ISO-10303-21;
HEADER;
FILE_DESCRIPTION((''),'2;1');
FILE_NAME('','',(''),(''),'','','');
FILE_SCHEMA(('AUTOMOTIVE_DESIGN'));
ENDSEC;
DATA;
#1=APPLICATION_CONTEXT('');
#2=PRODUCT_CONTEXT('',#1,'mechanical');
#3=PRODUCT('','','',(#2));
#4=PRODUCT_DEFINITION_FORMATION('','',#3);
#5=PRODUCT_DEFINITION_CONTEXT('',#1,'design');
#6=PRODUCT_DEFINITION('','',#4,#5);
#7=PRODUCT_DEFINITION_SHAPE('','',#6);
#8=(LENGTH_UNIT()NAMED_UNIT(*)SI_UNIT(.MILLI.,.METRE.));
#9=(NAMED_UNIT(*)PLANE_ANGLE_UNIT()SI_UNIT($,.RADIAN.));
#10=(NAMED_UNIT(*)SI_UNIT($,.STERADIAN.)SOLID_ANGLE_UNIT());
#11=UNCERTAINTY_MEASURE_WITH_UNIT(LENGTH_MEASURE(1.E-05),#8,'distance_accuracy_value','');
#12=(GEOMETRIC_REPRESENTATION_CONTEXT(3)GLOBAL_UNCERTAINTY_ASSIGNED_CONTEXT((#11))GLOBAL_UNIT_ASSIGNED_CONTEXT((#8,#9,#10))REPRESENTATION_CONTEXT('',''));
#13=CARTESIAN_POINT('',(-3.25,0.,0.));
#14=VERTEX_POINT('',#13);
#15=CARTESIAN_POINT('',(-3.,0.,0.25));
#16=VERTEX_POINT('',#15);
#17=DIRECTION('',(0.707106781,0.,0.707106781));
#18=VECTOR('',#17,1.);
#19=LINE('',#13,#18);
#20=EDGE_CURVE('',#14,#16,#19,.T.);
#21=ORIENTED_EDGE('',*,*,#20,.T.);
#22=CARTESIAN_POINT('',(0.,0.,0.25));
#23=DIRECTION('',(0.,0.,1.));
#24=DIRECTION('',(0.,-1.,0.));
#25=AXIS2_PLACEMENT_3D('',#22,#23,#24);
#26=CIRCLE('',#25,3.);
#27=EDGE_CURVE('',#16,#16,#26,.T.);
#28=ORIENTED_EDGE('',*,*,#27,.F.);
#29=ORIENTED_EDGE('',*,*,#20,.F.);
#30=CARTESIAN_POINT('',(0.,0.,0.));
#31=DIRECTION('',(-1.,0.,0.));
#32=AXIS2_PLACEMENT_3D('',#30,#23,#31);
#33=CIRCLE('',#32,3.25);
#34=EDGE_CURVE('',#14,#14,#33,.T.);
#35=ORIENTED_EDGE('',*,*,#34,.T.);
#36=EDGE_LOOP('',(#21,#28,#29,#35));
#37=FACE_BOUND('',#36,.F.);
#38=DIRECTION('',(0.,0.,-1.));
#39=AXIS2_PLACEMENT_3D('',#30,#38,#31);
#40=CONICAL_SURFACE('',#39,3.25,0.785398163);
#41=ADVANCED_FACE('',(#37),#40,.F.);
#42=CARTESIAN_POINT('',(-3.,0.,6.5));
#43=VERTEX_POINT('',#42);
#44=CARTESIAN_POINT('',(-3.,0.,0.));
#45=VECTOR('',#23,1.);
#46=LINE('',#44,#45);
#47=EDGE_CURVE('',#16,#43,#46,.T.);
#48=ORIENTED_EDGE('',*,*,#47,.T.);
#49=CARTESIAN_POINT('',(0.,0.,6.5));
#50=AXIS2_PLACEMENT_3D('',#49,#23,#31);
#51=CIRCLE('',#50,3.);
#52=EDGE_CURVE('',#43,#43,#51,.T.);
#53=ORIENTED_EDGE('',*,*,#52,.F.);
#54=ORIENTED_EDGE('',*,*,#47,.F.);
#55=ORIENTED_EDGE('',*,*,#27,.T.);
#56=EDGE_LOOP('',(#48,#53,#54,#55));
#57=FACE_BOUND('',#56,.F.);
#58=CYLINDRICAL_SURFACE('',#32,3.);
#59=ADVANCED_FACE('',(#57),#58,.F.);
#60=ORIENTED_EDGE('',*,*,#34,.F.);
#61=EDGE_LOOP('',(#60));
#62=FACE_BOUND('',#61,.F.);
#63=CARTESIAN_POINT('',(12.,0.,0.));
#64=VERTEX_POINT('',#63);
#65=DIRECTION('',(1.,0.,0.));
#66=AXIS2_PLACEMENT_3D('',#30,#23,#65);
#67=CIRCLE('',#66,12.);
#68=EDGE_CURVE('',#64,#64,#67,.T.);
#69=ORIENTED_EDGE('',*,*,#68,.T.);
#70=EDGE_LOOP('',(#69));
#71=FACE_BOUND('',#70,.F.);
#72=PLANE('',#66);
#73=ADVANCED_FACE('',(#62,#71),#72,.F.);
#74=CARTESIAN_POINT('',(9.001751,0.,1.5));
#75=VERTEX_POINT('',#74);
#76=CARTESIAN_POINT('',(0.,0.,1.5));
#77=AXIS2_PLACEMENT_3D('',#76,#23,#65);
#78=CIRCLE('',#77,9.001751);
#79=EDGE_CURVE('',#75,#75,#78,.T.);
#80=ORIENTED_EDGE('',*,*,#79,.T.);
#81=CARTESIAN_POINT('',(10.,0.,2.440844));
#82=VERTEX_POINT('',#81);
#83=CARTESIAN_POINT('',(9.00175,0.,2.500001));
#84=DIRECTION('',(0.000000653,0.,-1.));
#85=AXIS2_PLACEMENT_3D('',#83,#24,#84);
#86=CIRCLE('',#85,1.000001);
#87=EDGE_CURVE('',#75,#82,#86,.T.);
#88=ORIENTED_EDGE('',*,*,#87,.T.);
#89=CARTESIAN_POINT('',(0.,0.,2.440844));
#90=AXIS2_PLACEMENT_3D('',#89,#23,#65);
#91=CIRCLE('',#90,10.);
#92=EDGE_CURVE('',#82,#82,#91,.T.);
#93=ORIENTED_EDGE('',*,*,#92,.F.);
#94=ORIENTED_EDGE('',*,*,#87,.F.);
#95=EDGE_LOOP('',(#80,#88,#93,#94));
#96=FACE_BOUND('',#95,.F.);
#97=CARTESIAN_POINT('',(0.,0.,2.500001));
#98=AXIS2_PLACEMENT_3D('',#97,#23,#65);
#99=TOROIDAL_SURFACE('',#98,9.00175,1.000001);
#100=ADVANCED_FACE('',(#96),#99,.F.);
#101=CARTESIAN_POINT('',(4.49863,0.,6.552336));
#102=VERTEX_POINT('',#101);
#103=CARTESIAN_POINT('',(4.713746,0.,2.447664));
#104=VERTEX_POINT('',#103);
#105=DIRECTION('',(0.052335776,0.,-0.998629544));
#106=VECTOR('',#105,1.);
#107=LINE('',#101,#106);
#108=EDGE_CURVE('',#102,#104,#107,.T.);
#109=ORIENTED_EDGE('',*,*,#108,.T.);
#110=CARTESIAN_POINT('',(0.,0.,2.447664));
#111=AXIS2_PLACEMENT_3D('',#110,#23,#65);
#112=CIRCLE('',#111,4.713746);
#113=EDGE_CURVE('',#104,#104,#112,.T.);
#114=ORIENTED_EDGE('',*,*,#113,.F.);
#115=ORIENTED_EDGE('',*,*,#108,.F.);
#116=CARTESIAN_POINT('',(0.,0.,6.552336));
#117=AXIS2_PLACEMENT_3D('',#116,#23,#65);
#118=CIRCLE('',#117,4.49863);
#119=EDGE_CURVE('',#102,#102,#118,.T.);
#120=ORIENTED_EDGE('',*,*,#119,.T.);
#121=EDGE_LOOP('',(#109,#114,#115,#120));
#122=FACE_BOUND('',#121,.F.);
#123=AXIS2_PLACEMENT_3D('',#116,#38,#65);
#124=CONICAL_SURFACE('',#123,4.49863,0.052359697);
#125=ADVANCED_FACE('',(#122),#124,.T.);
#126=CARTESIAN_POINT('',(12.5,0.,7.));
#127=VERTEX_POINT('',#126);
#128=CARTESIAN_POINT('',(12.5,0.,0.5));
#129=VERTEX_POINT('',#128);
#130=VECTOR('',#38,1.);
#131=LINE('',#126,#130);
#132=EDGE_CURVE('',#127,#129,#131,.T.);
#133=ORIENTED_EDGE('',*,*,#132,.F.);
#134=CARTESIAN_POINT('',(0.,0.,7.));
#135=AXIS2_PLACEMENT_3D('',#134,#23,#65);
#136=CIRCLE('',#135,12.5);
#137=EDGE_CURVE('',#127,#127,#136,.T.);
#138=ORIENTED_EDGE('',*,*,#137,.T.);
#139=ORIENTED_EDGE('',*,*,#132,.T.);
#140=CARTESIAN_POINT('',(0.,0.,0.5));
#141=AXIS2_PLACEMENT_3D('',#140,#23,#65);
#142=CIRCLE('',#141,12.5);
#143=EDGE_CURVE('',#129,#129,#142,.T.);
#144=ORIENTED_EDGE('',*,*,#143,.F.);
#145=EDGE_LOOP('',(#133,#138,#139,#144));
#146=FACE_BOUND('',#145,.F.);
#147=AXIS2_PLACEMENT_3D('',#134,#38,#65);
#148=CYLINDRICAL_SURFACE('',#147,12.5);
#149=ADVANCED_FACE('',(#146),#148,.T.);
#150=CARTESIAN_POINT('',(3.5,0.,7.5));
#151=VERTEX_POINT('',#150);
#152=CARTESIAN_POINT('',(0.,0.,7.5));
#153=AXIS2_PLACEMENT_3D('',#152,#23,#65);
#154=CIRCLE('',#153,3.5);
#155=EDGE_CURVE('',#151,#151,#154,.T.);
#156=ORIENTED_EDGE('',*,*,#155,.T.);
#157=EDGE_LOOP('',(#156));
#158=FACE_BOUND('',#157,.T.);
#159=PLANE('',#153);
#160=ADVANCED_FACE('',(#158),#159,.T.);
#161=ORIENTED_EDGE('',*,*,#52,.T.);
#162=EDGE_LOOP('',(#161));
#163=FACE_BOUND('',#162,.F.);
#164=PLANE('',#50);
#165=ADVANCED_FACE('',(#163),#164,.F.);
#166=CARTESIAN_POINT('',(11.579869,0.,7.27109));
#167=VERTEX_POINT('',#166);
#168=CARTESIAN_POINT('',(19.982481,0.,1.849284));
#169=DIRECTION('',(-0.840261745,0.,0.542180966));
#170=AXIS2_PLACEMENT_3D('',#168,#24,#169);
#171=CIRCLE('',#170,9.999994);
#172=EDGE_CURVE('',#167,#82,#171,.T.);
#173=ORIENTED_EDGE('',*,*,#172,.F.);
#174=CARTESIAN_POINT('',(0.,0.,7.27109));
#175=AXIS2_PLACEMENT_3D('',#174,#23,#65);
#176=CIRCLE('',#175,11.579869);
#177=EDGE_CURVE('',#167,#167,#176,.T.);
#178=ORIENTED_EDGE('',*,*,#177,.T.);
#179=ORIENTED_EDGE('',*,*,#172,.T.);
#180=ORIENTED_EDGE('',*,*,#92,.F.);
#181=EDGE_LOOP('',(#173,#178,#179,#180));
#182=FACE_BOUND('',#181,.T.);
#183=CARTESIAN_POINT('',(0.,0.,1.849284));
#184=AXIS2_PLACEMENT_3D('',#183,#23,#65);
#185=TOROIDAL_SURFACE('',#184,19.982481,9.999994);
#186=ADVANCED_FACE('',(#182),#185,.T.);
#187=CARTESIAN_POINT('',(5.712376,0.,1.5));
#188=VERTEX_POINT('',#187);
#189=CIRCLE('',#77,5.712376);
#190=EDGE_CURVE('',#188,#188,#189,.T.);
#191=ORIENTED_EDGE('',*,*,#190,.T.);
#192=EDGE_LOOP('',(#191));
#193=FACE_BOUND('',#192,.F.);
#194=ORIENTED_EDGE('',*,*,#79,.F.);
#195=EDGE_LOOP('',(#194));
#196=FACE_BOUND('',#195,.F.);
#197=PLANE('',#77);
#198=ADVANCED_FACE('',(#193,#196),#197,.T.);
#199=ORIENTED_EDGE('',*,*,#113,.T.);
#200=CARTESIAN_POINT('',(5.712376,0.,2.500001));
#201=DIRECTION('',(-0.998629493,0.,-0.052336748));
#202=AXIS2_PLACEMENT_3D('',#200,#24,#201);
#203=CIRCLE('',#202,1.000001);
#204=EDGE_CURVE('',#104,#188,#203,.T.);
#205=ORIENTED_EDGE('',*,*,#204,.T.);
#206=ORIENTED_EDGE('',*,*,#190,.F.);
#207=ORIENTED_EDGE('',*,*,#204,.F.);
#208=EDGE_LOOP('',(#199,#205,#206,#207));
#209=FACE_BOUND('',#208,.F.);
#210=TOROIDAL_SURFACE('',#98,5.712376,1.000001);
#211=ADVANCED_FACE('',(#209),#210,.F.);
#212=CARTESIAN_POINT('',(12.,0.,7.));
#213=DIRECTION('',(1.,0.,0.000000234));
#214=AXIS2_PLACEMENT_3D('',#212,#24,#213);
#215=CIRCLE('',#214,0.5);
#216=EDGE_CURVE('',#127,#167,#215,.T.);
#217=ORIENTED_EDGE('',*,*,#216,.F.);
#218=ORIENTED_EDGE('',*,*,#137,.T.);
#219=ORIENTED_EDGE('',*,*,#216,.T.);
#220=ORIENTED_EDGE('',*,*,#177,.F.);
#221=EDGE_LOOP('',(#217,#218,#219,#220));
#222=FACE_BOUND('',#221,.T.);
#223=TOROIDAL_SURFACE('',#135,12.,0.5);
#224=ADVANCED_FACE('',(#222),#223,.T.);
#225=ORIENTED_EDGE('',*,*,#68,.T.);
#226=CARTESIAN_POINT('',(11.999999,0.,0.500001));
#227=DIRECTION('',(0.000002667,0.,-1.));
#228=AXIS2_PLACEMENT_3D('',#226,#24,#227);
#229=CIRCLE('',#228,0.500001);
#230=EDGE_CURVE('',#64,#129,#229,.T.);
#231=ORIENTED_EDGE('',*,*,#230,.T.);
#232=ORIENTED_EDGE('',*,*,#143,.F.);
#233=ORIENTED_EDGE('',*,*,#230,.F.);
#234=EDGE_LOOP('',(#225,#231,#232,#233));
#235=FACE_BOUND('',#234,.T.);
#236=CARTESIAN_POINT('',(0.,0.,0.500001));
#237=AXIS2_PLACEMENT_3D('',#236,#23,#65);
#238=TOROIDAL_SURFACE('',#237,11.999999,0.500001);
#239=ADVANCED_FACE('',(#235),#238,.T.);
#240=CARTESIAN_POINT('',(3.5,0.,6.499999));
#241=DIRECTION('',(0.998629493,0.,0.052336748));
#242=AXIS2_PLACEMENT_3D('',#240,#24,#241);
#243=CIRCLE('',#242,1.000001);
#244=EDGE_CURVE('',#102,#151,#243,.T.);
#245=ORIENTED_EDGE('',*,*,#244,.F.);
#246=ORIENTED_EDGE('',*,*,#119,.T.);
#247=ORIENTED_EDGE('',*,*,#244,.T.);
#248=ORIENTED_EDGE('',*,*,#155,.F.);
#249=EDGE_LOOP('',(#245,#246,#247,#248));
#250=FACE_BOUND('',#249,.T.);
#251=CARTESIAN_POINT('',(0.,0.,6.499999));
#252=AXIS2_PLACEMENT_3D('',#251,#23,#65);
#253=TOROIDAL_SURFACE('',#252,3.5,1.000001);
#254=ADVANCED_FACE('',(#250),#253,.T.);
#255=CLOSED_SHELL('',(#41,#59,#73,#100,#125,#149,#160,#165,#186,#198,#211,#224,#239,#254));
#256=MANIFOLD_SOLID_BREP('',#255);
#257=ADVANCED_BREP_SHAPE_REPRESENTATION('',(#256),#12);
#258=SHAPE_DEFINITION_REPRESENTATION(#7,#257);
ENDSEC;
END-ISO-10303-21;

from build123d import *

# Parameters (mm, degrees)
HOLE_D           = 6
HOLE_DEPTH       = 6.5
HOLE_CSINK_D     = 6.5
HOLE_CSINK_ANGLE = 90


with BuildPart() as part:
    # Sketch → Revolution (revolve)
    with BuildSketch(Plane.XZ):
        with BuildLine():
            Line((12.5, 7), (12.5, 0.5))
            ThreePointArc((12, 0), (12.353553, 0.146447), (12.5, 0.5))
            Line((12, 0), (0, 0))
            Line((0, 7.5), (0, 0))
            Line((3.5, 7.5), (0, 7.5))
            ThreePointArc((4.49863, 6.552336), (4.188355, 7.225374), (3.5, 7.5))
            Line((4.49863, 6.552336), (4.713746, 2.447664))
            ThreePointArc((4.713746, 2.447664), (5.024021, 1.774626), (5.712376, 1.5))
            Line((5.712376, 1.5), (9.001751, 1.5))
            ThreePointArc((9.001751, 1.5), (9.687624, 1.772279), (10, 2.440844))
            ThreePointArc((11.579869, 7.27109), (10.47797, 4.958004), (10, 2.440844))
            ThreePointArc((12.5, 7), (12.141306, 7.479617), (11.579869, 7.27109))
        make_face()
    revolve(axis=Axis((0, 0, 0), (0, 0, 1)))

    # Hole
    with Locations(Plane(origin=(0, 0, 0), x_dir=(1, 0, 0), z_dir=(0, 0, -1))):
        with Locations((0, 0)):
            CounterSinkHole(HOLE_D / 2, HOLE_CSINK_D / 2, depth=HOLE_DEPTH, counter_sink_angle=HOLE_CSINK_ANGLE)


solid = part.part
